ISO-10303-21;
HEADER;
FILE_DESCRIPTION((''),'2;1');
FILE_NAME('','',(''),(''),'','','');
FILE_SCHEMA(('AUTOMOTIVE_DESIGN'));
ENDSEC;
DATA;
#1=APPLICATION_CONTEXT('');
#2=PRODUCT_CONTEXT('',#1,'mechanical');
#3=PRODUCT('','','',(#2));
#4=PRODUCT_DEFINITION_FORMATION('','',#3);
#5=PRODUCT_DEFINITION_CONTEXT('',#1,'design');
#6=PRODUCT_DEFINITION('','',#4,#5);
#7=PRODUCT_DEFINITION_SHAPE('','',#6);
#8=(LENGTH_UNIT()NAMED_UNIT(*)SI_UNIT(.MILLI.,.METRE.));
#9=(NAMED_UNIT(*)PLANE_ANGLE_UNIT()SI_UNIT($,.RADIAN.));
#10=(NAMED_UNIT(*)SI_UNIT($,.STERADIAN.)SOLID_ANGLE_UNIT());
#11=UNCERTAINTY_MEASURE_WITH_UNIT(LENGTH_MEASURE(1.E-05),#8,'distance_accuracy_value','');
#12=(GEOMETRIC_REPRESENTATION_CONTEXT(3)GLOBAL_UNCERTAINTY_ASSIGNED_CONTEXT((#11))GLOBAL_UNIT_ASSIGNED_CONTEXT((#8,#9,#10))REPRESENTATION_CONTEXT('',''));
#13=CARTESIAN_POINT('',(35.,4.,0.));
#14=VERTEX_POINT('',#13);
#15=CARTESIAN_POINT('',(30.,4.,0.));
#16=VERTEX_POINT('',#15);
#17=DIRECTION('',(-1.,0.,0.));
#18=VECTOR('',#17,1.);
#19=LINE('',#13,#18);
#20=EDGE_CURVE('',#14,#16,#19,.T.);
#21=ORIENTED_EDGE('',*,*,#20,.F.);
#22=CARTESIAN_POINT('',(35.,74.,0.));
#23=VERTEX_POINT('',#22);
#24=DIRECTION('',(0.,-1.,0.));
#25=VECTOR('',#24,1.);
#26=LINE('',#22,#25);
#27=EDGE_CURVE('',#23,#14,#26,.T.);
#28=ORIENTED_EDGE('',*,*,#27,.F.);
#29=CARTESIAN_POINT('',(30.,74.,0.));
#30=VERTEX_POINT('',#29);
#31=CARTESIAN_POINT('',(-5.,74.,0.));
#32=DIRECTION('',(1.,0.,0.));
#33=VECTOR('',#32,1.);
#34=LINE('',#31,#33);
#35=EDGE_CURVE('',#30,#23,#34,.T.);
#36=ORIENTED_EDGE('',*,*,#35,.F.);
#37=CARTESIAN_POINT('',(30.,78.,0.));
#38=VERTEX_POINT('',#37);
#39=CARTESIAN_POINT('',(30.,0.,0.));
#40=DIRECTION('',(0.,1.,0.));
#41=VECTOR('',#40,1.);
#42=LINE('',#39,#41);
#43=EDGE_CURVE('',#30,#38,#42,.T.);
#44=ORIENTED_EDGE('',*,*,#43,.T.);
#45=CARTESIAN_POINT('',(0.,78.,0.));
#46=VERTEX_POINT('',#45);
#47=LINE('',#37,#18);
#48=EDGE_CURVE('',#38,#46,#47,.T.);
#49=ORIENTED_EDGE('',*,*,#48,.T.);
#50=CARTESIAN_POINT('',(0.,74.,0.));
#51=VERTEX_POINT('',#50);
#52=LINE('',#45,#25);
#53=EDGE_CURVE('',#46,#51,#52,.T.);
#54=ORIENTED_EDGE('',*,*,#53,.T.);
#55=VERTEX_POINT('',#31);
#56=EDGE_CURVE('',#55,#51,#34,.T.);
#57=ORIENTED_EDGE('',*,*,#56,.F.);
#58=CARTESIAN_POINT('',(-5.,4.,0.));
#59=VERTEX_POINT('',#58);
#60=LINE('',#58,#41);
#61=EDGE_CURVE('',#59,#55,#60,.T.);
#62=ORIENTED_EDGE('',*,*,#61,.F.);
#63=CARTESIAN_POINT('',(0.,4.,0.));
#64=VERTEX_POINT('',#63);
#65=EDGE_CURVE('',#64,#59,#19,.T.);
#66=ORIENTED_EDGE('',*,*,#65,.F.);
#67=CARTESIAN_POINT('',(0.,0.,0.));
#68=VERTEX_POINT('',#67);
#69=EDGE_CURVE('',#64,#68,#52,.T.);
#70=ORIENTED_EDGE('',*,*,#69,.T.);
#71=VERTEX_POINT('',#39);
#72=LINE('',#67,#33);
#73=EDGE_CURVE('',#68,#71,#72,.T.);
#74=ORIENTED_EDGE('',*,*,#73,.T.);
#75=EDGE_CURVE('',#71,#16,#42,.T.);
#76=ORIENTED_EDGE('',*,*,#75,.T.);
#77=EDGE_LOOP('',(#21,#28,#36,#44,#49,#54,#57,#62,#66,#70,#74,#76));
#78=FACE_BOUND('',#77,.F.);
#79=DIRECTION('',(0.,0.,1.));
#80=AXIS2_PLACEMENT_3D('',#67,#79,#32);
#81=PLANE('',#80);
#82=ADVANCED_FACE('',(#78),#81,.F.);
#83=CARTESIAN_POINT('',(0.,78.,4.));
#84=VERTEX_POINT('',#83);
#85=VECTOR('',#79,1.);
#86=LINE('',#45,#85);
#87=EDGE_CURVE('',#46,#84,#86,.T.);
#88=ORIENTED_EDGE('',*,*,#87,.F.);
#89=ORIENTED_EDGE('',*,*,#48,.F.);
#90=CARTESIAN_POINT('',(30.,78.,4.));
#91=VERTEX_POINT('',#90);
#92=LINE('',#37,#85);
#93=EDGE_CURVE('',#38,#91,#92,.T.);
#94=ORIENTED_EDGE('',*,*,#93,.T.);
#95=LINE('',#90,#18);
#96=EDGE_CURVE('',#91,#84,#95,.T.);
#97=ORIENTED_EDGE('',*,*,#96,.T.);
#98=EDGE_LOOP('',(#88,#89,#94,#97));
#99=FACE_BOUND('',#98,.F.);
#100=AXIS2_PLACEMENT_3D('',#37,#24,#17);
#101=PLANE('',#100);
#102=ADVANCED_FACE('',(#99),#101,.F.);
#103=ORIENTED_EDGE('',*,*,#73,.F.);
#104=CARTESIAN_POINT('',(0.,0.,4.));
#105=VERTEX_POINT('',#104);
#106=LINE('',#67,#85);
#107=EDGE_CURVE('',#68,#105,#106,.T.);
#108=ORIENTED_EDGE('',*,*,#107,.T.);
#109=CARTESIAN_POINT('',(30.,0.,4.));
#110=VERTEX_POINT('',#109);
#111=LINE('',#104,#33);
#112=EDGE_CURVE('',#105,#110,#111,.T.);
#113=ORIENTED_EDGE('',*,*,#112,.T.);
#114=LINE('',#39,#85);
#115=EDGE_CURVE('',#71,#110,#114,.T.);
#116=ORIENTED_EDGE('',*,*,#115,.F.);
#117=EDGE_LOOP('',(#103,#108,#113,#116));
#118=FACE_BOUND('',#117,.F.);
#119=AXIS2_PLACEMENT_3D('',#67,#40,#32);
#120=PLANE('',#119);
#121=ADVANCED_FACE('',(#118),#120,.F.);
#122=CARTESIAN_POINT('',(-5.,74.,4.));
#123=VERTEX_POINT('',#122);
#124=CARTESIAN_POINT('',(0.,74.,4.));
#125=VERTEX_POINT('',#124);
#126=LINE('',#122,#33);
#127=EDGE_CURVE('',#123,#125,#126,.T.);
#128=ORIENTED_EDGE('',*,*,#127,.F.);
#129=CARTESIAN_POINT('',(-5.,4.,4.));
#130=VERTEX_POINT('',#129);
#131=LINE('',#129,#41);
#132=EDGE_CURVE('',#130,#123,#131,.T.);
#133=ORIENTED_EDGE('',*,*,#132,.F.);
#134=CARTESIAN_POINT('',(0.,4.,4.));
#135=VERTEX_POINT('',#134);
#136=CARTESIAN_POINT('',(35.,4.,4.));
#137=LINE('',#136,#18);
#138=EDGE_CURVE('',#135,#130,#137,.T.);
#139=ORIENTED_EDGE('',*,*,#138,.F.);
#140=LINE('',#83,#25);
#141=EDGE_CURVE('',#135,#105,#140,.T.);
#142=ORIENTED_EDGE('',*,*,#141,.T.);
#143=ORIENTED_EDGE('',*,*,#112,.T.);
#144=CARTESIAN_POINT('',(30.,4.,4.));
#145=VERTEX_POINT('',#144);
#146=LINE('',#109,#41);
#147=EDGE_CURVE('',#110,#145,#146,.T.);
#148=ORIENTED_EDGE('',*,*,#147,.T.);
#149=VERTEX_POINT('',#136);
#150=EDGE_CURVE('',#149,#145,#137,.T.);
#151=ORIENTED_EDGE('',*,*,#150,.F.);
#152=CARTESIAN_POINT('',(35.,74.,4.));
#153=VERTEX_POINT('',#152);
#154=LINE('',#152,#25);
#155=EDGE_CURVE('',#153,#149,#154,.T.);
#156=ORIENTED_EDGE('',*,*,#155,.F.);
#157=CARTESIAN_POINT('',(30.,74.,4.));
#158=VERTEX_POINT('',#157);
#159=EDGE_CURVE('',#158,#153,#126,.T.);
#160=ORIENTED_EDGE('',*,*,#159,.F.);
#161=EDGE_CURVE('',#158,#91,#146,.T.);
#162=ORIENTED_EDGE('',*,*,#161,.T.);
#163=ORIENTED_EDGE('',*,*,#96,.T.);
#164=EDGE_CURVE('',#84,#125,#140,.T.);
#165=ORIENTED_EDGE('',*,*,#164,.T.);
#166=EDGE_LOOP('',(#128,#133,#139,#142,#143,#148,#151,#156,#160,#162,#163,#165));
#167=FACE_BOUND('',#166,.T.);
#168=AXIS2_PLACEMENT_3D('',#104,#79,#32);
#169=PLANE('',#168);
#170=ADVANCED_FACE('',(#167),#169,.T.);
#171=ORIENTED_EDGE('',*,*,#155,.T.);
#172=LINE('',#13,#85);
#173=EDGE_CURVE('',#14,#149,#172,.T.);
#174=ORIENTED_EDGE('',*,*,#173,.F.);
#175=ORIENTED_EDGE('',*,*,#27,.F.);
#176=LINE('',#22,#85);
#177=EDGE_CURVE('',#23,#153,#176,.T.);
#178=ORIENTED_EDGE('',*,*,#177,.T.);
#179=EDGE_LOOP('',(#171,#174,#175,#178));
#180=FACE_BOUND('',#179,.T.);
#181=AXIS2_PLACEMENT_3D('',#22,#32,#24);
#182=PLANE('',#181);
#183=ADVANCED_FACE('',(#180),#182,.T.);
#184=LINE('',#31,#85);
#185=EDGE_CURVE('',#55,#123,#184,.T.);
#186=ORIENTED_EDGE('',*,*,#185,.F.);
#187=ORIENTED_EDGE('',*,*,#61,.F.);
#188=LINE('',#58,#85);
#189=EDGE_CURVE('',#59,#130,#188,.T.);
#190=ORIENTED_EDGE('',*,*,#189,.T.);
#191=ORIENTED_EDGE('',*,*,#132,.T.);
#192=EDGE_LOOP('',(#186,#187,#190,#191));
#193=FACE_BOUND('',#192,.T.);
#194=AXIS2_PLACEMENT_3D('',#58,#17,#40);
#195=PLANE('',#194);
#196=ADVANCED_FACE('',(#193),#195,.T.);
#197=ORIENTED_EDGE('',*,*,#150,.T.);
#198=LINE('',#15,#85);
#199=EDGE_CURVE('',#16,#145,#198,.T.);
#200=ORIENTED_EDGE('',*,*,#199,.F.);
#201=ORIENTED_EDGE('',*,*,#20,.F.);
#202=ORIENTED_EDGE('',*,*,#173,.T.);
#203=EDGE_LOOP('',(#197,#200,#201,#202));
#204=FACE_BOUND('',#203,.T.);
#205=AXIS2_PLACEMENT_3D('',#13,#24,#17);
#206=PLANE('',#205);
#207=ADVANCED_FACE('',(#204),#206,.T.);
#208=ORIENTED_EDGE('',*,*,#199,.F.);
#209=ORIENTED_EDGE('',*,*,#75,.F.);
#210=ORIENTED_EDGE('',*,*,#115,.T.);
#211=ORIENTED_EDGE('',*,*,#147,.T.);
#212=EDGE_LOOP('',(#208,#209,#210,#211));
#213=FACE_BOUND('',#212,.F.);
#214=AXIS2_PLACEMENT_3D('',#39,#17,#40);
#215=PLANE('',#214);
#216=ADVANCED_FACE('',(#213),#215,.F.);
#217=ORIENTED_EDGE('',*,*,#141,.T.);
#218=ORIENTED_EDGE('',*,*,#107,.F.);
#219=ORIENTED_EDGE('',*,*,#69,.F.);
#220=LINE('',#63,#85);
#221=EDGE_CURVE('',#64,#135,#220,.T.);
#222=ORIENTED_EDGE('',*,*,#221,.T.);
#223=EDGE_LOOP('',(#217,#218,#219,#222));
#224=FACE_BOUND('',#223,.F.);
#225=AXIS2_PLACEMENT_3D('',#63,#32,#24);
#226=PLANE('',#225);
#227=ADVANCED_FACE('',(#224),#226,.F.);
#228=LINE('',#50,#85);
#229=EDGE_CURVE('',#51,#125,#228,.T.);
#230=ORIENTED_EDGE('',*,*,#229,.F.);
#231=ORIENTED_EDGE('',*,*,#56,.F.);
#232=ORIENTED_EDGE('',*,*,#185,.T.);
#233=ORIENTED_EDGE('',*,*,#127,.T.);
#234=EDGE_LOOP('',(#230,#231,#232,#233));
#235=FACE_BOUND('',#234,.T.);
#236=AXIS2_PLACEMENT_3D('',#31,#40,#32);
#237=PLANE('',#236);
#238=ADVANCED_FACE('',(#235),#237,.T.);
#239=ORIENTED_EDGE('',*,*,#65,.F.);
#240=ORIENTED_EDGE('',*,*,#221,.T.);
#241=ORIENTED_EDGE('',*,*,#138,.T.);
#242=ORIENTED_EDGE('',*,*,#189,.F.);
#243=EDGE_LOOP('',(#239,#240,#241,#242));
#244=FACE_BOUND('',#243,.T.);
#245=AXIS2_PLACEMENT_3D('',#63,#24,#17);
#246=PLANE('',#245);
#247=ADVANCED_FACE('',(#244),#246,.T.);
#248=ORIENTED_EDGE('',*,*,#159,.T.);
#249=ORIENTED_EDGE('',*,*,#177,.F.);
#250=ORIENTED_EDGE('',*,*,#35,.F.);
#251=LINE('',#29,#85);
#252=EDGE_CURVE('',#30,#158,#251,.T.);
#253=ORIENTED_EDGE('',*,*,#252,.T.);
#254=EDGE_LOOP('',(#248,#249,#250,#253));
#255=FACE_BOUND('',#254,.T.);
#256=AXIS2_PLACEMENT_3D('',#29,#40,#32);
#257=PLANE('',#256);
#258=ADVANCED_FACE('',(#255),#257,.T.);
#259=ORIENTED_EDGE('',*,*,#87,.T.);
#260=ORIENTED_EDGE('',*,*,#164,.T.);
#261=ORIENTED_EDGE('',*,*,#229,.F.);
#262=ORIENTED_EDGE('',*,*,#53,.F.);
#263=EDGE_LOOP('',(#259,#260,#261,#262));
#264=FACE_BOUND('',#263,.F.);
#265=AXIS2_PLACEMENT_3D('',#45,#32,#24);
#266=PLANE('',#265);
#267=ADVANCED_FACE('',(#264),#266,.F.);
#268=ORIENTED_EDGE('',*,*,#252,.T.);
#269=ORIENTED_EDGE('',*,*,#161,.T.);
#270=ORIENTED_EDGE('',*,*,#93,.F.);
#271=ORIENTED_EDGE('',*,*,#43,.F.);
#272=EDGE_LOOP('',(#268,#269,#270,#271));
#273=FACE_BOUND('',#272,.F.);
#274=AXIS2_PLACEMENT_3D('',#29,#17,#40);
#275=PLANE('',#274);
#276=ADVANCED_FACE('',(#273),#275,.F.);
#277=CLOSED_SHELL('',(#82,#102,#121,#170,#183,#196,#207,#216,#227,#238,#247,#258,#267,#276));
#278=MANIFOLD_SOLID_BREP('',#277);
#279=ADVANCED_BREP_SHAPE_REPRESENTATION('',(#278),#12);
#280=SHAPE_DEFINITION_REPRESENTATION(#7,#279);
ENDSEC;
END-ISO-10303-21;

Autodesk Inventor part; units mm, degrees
ref_plane "YZ Plane" through (0, 0, 0) normal (1, 0, 0) x (0, 1, 0)
ref_plane "XZ Plane" through (0, 0, 0) normal (0, 1, 0) x (-1, 0, 0)
ref_plane "XY Plane" through (0, 0, 0) normal (0, 0, 1) x (1, 0, 0)
sketch "Sketch1" plane through (0, 0, 0) normal (0, 0, 1) x (1, 0, 0)
  line L0 (0, 0) -> (30, 0)
  line L1 (30, 0) -> (30, 78)
  line L2 (30, 78) -> (0, 78)
  line L3 (0, 78) -> (0, 0)
  line L4 (-5, 74) -> (35, 74)
  line L5 (35, 74) -> (35, 4)
  line L6 (35, 4) -> (-5, 4)
  line L7 (-5, 4) -> (-5, 74)
  point P0 (0, 4)
  point P1 (30, 4)
  point P2 (30, 74)
  point P3 (0, 74)
  dimension "d0" = 78
  dimension "d1" = 30
  dimension "d2" = 40
  dimension "d3" = 5
  dimension "d4" = 4
  dimension "d5" = 4
extrude "Extrusion1" add sketch "Sketch1" along normal blind 4
properties part number "Tussen30_AUG"
